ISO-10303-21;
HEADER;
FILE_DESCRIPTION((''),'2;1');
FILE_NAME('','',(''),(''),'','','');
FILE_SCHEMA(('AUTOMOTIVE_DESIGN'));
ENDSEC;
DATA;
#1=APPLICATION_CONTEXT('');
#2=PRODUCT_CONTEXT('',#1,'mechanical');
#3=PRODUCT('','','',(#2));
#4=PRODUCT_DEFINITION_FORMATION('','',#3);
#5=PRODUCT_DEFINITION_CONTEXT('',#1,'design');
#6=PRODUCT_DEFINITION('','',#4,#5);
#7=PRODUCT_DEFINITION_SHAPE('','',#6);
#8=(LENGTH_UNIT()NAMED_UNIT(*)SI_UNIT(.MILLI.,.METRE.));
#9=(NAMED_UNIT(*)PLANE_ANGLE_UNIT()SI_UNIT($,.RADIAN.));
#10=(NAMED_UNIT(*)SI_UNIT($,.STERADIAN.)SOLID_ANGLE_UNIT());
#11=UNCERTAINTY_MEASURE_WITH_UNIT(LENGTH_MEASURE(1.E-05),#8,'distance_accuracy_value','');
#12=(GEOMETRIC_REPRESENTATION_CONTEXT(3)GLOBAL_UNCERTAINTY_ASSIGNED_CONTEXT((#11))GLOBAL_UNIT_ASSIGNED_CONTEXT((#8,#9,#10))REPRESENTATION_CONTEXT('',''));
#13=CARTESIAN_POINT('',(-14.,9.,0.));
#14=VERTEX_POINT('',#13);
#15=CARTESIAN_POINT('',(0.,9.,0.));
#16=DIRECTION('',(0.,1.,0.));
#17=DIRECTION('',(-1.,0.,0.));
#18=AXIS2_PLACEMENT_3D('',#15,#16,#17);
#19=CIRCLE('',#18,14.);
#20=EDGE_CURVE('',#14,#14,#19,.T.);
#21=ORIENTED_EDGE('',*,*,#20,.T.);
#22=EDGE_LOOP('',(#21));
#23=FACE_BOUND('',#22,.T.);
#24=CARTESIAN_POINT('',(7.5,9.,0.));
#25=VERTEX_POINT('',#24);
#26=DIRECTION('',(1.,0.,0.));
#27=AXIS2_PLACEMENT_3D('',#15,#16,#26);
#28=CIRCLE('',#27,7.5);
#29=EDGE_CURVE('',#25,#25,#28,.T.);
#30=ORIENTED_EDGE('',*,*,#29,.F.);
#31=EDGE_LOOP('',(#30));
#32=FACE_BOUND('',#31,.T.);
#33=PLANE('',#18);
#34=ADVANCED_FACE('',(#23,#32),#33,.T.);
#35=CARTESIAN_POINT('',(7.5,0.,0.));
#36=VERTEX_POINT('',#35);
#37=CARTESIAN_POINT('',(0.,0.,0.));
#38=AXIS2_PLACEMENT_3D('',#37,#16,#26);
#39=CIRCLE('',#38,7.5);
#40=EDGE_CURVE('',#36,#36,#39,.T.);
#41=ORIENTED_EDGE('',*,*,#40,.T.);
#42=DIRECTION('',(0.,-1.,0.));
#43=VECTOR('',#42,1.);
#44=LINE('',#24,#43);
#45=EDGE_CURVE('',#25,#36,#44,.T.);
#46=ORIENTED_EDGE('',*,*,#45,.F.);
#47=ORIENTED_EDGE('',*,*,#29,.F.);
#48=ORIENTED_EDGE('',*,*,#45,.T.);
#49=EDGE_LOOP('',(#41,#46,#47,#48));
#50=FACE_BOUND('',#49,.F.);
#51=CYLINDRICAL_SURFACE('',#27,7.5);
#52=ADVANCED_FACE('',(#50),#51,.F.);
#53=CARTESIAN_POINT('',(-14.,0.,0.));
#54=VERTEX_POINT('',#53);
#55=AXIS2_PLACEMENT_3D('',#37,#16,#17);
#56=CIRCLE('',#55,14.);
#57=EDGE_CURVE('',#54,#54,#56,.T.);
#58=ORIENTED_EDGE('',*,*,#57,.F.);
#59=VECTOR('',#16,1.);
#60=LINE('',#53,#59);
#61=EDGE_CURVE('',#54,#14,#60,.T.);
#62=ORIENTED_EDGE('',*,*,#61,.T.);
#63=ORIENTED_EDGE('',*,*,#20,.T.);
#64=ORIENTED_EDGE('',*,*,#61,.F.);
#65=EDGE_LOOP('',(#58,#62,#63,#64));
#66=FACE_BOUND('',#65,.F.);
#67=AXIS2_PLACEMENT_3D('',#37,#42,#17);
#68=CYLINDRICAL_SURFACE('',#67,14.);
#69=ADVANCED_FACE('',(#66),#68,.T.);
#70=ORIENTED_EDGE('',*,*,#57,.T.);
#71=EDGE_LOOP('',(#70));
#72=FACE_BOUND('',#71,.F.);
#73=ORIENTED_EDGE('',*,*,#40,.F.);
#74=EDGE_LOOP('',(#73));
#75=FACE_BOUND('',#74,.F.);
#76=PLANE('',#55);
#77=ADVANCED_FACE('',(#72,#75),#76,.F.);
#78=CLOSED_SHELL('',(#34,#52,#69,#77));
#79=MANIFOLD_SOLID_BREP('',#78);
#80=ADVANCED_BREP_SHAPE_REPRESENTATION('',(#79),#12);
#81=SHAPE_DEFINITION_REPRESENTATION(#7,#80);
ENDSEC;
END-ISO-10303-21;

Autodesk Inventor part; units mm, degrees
ref_plane "YZ Plane" through (0, 0, 0) normal (1, 0, 0) x (0, 1, 0)
ref_plane "XZ Plane" through (0, 0, 0) normal (0, 1, 0) x (-1, 0, 0)
ref_plane "XY Plane" through (0, 0, 0) normal (0, 0, 1) x (1, 0, 0)
sketch "Sketch1" plane through (0, 0, 0) normal (0, 1, 0) x (-1, 0, 0)
  circle A0 centre (0, 0) radius 14
  dimension "d0" = 28
extrude "Extrusion1" add sketch "Sketch1" along normal blind 9
sketch "Sketch2" plane through (0, 9, 0) normal (0, 1, 0) x (1, 0, 0)
  circle A0 centre (0, 0) radius 7.5
  dimension "d3" = 15
extrude "Extrusion2" cut sketch "Sketch2" against normal blind 9
properties part number "Bearing-Insert"
